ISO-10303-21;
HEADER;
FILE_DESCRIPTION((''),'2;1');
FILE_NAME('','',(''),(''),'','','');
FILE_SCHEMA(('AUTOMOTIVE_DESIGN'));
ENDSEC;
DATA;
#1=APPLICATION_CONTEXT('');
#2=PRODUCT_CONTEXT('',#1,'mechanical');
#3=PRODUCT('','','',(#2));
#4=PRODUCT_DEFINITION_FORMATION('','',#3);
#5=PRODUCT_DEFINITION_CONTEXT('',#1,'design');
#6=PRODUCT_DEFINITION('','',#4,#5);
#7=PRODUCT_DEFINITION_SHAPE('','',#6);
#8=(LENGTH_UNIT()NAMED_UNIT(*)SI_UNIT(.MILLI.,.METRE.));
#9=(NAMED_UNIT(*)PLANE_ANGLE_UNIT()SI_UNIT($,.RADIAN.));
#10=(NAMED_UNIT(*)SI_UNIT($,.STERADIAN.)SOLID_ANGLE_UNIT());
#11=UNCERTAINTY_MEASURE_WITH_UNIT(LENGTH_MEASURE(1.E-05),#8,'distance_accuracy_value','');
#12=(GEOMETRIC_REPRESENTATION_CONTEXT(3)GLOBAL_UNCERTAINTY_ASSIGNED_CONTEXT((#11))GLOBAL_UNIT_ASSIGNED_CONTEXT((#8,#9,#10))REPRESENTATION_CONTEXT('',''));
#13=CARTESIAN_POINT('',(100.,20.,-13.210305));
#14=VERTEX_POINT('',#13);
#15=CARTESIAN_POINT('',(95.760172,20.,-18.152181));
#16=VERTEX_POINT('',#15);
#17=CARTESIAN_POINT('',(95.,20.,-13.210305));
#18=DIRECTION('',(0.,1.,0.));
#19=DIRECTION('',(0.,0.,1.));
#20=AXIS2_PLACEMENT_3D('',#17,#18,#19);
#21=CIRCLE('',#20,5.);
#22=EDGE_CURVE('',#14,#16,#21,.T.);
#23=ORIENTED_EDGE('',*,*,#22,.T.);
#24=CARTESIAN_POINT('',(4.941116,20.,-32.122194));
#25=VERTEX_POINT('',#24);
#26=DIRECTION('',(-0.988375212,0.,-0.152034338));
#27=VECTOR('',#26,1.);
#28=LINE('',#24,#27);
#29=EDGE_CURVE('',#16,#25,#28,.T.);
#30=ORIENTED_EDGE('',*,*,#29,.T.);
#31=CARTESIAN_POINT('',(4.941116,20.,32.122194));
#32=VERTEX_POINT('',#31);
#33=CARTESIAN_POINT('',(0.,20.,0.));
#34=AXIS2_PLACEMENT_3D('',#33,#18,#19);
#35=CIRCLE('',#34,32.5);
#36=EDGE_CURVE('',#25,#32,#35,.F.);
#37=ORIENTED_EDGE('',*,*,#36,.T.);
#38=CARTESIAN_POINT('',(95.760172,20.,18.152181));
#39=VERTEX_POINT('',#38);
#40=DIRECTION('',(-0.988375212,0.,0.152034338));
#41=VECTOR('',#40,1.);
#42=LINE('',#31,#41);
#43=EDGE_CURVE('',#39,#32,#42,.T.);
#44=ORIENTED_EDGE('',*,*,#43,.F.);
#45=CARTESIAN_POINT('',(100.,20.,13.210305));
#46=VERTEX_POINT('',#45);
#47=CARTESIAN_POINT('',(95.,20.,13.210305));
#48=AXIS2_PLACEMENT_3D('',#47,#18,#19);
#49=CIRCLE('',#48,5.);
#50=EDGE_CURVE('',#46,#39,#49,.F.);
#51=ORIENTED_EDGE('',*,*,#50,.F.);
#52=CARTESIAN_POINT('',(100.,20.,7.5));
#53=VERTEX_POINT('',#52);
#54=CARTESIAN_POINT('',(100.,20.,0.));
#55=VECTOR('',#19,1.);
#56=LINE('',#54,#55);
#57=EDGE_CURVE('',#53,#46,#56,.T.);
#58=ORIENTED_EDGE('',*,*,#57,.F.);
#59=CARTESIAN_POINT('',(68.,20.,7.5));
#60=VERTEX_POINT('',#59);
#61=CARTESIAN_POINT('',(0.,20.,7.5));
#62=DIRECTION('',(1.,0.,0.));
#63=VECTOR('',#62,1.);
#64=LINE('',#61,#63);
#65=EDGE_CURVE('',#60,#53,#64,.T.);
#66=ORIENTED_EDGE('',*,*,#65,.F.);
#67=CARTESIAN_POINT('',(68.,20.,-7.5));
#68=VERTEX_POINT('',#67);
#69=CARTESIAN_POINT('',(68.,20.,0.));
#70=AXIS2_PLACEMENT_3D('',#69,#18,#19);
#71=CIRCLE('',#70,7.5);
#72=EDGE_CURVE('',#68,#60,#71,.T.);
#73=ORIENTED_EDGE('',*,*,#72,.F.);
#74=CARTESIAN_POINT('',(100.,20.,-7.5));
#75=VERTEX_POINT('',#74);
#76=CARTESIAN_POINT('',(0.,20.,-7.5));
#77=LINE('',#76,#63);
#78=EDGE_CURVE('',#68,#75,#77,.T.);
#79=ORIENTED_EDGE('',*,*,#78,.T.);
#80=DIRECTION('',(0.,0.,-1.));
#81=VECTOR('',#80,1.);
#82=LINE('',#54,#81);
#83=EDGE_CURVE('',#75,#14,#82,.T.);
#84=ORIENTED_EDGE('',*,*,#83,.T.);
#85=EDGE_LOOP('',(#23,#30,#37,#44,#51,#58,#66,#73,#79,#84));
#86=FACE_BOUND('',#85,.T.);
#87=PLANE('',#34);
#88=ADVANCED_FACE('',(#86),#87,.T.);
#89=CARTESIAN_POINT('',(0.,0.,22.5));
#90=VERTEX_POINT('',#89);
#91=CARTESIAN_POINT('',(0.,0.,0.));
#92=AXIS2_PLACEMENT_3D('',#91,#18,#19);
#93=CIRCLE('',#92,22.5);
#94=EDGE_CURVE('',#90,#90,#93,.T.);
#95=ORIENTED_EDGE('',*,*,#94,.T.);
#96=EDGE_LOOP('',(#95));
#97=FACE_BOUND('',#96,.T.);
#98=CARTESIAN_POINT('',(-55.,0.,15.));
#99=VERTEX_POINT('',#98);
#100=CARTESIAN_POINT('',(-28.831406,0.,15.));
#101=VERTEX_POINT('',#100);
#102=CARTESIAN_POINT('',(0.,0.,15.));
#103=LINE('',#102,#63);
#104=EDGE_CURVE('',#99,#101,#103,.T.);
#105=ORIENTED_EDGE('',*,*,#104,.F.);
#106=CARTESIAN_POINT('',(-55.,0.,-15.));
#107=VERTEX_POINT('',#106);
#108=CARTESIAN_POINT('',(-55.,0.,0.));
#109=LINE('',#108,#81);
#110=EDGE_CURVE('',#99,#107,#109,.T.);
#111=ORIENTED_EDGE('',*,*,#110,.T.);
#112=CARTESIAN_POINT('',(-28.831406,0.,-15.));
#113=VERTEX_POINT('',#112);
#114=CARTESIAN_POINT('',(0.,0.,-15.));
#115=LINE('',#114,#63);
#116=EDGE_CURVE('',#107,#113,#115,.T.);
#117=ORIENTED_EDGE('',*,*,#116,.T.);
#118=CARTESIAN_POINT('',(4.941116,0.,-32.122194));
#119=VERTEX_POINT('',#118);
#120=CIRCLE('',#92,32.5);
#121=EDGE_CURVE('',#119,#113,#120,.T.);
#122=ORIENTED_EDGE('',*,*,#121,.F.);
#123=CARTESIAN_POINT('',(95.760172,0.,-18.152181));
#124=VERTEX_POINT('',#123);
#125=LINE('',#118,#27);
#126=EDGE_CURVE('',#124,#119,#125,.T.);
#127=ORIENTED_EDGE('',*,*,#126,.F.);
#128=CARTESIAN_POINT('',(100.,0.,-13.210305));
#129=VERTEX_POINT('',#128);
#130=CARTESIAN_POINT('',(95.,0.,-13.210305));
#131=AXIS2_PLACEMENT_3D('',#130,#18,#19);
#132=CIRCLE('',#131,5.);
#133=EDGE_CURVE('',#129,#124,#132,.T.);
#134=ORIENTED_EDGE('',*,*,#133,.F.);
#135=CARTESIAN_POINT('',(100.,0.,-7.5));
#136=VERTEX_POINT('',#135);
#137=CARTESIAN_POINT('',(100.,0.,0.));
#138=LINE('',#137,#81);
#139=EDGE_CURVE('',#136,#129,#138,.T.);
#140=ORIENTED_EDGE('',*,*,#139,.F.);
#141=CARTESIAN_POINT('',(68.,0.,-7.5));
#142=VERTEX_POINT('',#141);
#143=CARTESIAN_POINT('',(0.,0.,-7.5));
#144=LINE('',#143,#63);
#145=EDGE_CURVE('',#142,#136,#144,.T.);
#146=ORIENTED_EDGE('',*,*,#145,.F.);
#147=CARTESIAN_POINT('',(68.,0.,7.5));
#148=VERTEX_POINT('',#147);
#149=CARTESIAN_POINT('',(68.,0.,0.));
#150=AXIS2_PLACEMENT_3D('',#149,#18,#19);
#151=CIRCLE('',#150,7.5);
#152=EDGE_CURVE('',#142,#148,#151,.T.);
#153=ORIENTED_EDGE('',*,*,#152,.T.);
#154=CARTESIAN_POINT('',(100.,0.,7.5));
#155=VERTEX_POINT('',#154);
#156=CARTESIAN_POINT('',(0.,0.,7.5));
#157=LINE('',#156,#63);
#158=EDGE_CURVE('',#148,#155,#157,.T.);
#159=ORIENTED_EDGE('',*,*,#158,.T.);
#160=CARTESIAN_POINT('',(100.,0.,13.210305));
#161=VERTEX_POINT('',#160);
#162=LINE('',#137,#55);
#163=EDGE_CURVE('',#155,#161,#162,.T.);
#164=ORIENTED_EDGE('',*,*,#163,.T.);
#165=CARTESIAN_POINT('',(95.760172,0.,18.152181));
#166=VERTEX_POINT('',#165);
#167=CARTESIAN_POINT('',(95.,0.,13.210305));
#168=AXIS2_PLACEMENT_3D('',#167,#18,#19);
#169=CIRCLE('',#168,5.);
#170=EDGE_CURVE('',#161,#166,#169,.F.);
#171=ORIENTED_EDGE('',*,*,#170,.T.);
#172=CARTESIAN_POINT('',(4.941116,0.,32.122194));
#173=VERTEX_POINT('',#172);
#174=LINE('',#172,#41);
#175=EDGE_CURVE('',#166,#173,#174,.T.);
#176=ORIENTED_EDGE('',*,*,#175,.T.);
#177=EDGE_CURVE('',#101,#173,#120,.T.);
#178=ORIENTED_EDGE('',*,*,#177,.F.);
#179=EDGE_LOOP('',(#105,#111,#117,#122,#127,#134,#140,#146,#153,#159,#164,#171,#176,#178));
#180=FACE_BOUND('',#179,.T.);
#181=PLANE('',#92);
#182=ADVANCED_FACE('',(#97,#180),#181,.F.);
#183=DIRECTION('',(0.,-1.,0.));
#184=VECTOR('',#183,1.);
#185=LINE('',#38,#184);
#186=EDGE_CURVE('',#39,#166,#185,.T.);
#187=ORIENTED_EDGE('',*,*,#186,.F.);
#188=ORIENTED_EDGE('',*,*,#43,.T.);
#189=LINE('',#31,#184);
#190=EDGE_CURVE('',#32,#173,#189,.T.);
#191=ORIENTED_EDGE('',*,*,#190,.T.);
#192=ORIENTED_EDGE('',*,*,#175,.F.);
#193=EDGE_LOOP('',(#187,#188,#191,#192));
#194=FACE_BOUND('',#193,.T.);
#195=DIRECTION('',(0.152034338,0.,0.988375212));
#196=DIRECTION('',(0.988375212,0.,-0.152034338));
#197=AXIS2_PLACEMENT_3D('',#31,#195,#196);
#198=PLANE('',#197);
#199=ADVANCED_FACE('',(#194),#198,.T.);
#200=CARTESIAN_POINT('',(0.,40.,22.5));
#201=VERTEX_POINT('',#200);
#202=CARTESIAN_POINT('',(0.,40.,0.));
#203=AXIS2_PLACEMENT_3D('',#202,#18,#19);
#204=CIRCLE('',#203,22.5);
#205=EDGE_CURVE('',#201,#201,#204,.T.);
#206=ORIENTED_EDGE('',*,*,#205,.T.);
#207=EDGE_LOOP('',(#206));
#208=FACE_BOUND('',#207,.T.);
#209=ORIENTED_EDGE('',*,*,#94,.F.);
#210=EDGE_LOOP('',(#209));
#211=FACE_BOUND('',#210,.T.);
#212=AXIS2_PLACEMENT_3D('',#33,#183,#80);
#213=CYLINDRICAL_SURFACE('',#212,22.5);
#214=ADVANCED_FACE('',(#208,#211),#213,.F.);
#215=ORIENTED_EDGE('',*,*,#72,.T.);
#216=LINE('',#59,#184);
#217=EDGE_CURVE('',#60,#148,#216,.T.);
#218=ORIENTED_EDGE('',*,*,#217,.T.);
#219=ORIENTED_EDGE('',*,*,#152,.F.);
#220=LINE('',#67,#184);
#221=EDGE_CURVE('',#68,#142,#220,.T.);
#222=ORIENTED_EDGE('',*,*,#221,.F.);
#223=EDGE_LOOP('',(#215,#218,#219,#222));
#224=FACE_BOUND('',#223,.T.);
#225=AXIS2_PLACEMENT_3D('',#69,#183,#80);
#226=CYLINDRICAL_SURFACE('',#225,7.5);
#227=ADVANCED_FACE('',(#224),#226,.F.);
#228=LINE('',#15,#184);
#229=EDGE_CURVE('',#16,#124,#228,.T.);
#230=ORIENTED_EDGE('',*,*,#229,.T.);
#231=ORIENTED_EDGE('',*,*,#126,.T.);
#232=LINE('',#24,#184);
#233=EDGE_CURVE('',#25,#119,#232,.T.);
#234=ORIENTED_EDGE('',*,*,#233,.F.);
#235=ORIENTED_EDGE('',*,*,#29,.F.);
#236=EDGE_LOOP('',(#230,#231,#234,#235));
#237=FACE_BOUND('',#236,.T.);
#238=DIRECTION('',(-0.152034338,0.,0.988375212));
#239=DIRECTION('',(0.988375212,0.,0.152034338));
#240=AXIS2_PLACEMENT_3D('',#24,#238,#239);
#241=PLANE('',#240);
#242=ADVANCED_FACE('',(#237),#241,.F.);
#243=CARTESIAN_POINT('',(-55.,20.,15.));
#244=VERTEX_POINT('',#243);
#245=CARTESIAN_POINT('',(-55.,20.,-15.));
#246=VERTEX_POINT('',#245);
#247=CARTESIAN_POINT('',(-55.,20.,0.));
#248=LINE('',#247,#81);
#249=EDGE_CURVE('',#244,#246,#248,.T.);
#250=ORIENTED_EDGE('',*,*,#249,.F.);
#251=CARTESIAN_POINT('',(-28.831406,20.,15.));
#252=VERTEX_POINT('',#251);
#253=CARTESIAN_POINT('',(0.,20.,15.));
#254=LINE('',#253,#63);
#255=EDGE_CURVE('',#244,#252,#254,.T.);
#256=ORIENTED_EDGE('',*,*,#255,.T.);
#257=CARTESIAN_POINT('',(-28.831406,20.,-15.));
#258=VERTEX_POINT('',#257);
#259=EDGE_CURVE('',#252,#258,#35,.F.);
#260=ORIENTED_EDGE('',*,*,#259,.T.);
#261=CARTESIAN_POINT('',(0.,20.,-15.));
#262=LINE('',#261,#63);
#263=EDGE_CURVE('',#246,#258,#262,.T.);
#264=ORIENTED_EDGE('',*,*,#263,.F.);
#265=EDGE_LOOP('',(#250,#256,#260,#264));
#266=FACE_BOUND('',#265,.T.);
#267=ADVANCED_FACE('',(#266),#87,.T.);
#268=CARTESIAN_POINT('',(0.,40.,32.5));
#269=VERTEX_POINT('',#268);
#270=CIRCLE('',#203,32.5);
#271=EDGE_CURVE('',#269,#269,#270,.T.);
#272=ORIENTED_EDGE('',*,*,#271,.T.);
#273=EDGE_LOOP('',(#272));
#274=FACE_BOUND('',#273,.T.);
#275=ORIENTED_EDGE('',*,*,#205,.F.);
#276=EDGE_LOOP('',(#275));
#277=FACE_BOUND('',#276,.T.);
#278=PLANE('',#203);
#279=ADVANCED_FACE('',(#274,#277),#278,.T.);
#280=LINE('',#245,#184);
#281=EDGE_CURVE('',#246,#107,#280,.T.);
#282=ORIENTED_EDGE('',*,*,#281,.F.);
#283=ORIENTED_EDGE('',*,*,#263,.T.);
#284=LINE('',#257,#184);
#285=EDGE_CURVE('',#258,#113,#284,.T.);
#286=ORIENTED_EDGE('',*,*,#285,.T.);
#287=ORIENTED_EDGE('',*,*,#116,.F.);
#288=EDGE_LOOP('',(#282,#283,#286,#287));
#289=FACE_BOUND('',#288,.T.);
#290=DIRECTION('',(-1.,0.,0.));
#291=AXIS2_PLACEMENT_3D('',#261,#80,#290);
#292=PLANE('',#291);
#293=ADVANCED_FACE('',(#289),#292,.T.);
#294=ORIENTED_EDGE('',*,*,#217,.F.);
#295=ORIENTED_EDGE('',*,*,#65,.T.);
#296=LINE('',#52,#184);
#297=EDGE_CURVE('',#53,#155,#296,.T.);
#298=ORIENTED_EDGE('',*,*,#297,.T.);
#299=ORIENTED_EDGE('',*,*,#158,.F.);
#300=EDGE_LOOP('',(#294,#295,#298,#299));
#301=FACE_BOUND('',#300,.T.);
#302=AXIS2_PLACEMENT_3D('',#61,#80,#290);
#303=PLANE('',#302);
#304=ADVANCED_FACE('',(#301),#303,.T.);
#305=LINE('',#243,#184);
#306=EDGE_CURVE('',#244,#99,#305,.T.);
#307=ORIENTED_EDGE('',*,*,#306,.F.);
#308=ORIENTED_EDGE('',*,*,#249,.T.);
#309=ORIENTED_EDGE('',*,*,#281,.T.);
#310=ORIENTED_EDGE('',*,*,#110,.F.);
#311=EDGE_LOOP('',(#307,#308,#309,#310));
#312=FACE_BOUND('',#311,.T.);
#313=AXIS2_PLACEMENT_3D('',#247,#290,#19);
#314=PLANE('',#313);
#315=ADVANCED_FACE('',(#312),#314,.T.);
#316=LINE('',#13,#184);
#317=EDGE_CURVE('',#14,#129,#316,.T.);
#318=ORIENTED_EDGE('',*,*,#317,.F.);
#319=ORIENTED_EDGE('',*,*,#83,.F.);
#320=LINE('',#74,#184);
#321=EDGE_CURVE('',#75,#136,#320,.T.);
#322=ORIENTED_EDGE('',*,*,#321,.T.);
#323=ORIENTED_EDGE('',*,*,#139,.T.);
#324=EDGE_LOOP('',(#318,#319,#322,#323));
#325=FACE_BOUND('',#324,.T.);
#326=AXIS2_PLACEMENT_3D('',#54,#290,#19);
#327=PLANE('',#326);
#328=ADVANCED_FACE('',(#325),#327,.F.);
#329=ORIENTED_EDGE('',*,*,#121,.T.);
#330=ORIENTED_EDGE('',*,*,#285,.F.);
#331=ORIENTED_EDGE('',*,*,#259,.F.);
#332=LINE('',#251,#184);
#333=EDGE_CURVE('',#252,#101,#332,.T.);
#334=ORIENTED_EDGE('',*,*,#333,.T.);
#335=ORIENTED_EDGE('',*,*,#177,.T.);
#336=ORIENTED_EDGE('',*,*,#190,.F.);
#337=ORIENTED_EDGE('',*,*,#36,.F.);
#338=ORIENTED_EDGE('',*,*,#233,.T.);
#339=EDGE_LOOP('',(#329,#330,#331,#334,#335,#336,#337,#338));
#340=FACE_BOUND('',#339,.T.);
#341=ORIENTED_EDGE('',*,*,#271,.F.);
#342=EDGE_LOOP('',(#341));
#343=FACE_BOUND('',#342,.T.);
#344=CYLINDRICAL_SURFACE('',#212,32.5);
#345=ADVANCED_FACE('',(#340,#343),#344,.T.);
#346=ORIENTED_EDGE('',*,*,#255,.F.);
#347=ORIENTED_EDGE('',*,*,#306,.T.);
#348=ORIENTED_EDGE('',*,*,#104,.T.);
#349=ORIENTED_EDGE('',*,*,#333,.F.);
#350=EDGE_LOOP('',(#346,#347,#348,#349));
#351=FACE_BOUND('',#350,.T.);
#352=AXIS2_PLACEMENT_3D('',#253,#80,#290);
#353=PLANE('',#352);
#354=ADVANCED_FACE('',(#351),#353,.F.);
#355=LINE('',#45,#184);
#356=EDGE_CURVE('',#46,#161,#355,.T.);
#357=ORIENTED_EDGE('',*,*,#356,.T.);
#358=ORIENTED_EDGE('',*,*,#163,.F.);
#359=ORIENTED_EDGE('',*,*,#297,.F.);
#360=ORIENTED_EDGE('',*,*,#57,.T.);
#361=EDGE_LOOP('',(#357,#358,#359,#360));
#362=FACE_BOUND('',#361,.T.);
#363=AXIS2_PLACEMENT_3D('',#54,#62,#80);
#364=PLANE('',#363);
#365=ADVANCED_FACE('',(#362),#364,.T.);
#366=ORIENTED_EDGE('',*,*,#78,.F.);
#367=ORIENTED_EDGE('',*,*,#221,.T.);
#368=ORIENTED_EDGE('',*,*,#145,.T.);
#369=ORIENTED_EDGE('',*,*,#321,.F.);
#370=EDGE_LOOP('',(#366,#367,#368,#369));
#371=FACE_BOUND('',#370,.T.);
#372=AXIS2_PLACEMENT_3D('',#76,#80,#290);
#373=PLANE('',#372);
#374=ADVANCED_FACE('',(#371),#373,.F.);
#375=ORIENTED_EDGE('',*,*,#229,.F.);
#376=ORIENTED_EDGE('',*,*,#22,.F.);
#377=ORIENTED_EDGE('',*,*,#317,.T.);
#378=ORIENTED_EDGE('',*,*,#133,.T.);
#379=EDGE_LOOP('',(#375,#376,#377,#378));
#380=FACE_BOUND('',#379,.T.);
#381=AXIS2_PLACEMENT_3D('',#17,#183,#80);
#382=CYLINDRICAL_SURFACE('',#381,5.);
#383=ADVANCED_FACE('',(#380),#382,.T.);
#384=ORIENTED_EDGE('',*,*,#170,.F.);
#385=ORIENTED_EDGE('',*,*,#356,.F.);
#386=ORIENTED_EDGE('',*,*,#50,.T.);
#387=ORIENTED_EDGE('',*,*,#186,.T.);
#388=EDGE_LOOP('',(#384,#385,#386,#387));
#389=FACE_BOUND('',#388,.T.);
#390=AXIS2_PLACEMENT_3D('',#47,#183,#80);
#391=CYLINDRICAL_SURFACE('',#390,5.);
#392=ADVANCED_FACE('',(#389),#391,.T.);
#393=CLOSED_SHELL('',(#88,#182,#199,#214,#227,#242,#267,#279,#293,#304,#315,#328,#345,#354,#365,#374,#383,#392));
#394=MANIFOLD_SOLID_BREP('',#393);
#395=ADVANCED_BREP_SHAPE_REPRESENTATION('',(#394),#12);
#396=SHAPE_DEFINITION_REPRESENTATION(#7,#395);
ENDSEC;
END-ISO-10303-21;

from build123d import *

# Parameters (mm, degrees)
SKETCH1_R           = 22.5
BOSS_EXTRUDE4_DEPTH = 20
SKETCH1_6_R         = 22.5
BOSS_EXTRUDE5_DEPTH = 40


with BuildPart() as part:
    # Sketch1 → Boss-Extrude4 (new body)
    with BuildSketch(Plane(origin=(0, 0, 0), x_dir=(1, 0, 0), z_dir=(0, 1, 0))):
        with BuildLine():
            Line((68, 7.5), (100, 7.5))
            Line((100, 7.5), (100, 13.210304894))
            ThreePointArc((100, 13.210304894), (98.794789747, 16.466003095), (95.760171689, 18.152180955))
            Line((95.760171689, 18.152180955), (4.941115981, 32.122194397))
            ThreePointArc((4.941115981, 32.122194397), (-14.696219934, 28.987430373), (-28.831406487, 15))
            Line((-28.831406487, 15), (-55, 15))
            Line((-55, 15), (-55, -15))
            Line((-55, -15), (-28.831406487, -15))
            ThreePointArc((-28.831406487, -15), (-14.696219934, -28.987430373), (4.941115981, -32.122194397))
            Line((4.941115981, -32.122194397), (95.760171689, -18.152180955))
            ThreePointArc((95.760171689, -18.152180955), (98.794789747, -16.466003095), (100, -13.210304894))
            Line((100, -13.210304894), (100, -7.5))
            Line((100, -7.5), (68, -7.5))
            ThreePointArc((68, -7.5), (60.5, 0), (68, 7.5))
        make_face()
        Circle(SKETCH1_R, mode=Mode.SUBTRACT)
    extrude(amount=BOSS_EXTRUDE4_DEPTH)

    # Sketch1<6> → Boss-Extrude5 (add)
    with BuildSketch(Plane(origin=(0, 0, 0), x_dir=(1, 0, 0), z_dir=(0, 1, 0))):
        with BuildLine():
            ThreePointArc((4.941115981, -32.122194397), (24.666133355, -21.162038307), (32.5, 0))
            ThreePointArc((32.5, 0), (24.666133355, 21.162038307), (4.941115981, 32.122194397))
            ThreePointArc((4.941115981, 32.122194397), (-14.696219934, 28.987430373), (-28.831406487, 15))
            ThreePointArc((-28.831406487, 15), (-32.5, 0), (-28.831406487, -15))
            ThreePointArc((-28.831406487, -15), (-14.696219934, -28.987430373), (4.941115981, -32.122194397))
        make_face()
        Circle(SKETCH1_6_R, mode=Mode.SUBTRACT)
    extrude(amount=BOSS_EXTRUDE5_DEPTH)


solid = part.part
